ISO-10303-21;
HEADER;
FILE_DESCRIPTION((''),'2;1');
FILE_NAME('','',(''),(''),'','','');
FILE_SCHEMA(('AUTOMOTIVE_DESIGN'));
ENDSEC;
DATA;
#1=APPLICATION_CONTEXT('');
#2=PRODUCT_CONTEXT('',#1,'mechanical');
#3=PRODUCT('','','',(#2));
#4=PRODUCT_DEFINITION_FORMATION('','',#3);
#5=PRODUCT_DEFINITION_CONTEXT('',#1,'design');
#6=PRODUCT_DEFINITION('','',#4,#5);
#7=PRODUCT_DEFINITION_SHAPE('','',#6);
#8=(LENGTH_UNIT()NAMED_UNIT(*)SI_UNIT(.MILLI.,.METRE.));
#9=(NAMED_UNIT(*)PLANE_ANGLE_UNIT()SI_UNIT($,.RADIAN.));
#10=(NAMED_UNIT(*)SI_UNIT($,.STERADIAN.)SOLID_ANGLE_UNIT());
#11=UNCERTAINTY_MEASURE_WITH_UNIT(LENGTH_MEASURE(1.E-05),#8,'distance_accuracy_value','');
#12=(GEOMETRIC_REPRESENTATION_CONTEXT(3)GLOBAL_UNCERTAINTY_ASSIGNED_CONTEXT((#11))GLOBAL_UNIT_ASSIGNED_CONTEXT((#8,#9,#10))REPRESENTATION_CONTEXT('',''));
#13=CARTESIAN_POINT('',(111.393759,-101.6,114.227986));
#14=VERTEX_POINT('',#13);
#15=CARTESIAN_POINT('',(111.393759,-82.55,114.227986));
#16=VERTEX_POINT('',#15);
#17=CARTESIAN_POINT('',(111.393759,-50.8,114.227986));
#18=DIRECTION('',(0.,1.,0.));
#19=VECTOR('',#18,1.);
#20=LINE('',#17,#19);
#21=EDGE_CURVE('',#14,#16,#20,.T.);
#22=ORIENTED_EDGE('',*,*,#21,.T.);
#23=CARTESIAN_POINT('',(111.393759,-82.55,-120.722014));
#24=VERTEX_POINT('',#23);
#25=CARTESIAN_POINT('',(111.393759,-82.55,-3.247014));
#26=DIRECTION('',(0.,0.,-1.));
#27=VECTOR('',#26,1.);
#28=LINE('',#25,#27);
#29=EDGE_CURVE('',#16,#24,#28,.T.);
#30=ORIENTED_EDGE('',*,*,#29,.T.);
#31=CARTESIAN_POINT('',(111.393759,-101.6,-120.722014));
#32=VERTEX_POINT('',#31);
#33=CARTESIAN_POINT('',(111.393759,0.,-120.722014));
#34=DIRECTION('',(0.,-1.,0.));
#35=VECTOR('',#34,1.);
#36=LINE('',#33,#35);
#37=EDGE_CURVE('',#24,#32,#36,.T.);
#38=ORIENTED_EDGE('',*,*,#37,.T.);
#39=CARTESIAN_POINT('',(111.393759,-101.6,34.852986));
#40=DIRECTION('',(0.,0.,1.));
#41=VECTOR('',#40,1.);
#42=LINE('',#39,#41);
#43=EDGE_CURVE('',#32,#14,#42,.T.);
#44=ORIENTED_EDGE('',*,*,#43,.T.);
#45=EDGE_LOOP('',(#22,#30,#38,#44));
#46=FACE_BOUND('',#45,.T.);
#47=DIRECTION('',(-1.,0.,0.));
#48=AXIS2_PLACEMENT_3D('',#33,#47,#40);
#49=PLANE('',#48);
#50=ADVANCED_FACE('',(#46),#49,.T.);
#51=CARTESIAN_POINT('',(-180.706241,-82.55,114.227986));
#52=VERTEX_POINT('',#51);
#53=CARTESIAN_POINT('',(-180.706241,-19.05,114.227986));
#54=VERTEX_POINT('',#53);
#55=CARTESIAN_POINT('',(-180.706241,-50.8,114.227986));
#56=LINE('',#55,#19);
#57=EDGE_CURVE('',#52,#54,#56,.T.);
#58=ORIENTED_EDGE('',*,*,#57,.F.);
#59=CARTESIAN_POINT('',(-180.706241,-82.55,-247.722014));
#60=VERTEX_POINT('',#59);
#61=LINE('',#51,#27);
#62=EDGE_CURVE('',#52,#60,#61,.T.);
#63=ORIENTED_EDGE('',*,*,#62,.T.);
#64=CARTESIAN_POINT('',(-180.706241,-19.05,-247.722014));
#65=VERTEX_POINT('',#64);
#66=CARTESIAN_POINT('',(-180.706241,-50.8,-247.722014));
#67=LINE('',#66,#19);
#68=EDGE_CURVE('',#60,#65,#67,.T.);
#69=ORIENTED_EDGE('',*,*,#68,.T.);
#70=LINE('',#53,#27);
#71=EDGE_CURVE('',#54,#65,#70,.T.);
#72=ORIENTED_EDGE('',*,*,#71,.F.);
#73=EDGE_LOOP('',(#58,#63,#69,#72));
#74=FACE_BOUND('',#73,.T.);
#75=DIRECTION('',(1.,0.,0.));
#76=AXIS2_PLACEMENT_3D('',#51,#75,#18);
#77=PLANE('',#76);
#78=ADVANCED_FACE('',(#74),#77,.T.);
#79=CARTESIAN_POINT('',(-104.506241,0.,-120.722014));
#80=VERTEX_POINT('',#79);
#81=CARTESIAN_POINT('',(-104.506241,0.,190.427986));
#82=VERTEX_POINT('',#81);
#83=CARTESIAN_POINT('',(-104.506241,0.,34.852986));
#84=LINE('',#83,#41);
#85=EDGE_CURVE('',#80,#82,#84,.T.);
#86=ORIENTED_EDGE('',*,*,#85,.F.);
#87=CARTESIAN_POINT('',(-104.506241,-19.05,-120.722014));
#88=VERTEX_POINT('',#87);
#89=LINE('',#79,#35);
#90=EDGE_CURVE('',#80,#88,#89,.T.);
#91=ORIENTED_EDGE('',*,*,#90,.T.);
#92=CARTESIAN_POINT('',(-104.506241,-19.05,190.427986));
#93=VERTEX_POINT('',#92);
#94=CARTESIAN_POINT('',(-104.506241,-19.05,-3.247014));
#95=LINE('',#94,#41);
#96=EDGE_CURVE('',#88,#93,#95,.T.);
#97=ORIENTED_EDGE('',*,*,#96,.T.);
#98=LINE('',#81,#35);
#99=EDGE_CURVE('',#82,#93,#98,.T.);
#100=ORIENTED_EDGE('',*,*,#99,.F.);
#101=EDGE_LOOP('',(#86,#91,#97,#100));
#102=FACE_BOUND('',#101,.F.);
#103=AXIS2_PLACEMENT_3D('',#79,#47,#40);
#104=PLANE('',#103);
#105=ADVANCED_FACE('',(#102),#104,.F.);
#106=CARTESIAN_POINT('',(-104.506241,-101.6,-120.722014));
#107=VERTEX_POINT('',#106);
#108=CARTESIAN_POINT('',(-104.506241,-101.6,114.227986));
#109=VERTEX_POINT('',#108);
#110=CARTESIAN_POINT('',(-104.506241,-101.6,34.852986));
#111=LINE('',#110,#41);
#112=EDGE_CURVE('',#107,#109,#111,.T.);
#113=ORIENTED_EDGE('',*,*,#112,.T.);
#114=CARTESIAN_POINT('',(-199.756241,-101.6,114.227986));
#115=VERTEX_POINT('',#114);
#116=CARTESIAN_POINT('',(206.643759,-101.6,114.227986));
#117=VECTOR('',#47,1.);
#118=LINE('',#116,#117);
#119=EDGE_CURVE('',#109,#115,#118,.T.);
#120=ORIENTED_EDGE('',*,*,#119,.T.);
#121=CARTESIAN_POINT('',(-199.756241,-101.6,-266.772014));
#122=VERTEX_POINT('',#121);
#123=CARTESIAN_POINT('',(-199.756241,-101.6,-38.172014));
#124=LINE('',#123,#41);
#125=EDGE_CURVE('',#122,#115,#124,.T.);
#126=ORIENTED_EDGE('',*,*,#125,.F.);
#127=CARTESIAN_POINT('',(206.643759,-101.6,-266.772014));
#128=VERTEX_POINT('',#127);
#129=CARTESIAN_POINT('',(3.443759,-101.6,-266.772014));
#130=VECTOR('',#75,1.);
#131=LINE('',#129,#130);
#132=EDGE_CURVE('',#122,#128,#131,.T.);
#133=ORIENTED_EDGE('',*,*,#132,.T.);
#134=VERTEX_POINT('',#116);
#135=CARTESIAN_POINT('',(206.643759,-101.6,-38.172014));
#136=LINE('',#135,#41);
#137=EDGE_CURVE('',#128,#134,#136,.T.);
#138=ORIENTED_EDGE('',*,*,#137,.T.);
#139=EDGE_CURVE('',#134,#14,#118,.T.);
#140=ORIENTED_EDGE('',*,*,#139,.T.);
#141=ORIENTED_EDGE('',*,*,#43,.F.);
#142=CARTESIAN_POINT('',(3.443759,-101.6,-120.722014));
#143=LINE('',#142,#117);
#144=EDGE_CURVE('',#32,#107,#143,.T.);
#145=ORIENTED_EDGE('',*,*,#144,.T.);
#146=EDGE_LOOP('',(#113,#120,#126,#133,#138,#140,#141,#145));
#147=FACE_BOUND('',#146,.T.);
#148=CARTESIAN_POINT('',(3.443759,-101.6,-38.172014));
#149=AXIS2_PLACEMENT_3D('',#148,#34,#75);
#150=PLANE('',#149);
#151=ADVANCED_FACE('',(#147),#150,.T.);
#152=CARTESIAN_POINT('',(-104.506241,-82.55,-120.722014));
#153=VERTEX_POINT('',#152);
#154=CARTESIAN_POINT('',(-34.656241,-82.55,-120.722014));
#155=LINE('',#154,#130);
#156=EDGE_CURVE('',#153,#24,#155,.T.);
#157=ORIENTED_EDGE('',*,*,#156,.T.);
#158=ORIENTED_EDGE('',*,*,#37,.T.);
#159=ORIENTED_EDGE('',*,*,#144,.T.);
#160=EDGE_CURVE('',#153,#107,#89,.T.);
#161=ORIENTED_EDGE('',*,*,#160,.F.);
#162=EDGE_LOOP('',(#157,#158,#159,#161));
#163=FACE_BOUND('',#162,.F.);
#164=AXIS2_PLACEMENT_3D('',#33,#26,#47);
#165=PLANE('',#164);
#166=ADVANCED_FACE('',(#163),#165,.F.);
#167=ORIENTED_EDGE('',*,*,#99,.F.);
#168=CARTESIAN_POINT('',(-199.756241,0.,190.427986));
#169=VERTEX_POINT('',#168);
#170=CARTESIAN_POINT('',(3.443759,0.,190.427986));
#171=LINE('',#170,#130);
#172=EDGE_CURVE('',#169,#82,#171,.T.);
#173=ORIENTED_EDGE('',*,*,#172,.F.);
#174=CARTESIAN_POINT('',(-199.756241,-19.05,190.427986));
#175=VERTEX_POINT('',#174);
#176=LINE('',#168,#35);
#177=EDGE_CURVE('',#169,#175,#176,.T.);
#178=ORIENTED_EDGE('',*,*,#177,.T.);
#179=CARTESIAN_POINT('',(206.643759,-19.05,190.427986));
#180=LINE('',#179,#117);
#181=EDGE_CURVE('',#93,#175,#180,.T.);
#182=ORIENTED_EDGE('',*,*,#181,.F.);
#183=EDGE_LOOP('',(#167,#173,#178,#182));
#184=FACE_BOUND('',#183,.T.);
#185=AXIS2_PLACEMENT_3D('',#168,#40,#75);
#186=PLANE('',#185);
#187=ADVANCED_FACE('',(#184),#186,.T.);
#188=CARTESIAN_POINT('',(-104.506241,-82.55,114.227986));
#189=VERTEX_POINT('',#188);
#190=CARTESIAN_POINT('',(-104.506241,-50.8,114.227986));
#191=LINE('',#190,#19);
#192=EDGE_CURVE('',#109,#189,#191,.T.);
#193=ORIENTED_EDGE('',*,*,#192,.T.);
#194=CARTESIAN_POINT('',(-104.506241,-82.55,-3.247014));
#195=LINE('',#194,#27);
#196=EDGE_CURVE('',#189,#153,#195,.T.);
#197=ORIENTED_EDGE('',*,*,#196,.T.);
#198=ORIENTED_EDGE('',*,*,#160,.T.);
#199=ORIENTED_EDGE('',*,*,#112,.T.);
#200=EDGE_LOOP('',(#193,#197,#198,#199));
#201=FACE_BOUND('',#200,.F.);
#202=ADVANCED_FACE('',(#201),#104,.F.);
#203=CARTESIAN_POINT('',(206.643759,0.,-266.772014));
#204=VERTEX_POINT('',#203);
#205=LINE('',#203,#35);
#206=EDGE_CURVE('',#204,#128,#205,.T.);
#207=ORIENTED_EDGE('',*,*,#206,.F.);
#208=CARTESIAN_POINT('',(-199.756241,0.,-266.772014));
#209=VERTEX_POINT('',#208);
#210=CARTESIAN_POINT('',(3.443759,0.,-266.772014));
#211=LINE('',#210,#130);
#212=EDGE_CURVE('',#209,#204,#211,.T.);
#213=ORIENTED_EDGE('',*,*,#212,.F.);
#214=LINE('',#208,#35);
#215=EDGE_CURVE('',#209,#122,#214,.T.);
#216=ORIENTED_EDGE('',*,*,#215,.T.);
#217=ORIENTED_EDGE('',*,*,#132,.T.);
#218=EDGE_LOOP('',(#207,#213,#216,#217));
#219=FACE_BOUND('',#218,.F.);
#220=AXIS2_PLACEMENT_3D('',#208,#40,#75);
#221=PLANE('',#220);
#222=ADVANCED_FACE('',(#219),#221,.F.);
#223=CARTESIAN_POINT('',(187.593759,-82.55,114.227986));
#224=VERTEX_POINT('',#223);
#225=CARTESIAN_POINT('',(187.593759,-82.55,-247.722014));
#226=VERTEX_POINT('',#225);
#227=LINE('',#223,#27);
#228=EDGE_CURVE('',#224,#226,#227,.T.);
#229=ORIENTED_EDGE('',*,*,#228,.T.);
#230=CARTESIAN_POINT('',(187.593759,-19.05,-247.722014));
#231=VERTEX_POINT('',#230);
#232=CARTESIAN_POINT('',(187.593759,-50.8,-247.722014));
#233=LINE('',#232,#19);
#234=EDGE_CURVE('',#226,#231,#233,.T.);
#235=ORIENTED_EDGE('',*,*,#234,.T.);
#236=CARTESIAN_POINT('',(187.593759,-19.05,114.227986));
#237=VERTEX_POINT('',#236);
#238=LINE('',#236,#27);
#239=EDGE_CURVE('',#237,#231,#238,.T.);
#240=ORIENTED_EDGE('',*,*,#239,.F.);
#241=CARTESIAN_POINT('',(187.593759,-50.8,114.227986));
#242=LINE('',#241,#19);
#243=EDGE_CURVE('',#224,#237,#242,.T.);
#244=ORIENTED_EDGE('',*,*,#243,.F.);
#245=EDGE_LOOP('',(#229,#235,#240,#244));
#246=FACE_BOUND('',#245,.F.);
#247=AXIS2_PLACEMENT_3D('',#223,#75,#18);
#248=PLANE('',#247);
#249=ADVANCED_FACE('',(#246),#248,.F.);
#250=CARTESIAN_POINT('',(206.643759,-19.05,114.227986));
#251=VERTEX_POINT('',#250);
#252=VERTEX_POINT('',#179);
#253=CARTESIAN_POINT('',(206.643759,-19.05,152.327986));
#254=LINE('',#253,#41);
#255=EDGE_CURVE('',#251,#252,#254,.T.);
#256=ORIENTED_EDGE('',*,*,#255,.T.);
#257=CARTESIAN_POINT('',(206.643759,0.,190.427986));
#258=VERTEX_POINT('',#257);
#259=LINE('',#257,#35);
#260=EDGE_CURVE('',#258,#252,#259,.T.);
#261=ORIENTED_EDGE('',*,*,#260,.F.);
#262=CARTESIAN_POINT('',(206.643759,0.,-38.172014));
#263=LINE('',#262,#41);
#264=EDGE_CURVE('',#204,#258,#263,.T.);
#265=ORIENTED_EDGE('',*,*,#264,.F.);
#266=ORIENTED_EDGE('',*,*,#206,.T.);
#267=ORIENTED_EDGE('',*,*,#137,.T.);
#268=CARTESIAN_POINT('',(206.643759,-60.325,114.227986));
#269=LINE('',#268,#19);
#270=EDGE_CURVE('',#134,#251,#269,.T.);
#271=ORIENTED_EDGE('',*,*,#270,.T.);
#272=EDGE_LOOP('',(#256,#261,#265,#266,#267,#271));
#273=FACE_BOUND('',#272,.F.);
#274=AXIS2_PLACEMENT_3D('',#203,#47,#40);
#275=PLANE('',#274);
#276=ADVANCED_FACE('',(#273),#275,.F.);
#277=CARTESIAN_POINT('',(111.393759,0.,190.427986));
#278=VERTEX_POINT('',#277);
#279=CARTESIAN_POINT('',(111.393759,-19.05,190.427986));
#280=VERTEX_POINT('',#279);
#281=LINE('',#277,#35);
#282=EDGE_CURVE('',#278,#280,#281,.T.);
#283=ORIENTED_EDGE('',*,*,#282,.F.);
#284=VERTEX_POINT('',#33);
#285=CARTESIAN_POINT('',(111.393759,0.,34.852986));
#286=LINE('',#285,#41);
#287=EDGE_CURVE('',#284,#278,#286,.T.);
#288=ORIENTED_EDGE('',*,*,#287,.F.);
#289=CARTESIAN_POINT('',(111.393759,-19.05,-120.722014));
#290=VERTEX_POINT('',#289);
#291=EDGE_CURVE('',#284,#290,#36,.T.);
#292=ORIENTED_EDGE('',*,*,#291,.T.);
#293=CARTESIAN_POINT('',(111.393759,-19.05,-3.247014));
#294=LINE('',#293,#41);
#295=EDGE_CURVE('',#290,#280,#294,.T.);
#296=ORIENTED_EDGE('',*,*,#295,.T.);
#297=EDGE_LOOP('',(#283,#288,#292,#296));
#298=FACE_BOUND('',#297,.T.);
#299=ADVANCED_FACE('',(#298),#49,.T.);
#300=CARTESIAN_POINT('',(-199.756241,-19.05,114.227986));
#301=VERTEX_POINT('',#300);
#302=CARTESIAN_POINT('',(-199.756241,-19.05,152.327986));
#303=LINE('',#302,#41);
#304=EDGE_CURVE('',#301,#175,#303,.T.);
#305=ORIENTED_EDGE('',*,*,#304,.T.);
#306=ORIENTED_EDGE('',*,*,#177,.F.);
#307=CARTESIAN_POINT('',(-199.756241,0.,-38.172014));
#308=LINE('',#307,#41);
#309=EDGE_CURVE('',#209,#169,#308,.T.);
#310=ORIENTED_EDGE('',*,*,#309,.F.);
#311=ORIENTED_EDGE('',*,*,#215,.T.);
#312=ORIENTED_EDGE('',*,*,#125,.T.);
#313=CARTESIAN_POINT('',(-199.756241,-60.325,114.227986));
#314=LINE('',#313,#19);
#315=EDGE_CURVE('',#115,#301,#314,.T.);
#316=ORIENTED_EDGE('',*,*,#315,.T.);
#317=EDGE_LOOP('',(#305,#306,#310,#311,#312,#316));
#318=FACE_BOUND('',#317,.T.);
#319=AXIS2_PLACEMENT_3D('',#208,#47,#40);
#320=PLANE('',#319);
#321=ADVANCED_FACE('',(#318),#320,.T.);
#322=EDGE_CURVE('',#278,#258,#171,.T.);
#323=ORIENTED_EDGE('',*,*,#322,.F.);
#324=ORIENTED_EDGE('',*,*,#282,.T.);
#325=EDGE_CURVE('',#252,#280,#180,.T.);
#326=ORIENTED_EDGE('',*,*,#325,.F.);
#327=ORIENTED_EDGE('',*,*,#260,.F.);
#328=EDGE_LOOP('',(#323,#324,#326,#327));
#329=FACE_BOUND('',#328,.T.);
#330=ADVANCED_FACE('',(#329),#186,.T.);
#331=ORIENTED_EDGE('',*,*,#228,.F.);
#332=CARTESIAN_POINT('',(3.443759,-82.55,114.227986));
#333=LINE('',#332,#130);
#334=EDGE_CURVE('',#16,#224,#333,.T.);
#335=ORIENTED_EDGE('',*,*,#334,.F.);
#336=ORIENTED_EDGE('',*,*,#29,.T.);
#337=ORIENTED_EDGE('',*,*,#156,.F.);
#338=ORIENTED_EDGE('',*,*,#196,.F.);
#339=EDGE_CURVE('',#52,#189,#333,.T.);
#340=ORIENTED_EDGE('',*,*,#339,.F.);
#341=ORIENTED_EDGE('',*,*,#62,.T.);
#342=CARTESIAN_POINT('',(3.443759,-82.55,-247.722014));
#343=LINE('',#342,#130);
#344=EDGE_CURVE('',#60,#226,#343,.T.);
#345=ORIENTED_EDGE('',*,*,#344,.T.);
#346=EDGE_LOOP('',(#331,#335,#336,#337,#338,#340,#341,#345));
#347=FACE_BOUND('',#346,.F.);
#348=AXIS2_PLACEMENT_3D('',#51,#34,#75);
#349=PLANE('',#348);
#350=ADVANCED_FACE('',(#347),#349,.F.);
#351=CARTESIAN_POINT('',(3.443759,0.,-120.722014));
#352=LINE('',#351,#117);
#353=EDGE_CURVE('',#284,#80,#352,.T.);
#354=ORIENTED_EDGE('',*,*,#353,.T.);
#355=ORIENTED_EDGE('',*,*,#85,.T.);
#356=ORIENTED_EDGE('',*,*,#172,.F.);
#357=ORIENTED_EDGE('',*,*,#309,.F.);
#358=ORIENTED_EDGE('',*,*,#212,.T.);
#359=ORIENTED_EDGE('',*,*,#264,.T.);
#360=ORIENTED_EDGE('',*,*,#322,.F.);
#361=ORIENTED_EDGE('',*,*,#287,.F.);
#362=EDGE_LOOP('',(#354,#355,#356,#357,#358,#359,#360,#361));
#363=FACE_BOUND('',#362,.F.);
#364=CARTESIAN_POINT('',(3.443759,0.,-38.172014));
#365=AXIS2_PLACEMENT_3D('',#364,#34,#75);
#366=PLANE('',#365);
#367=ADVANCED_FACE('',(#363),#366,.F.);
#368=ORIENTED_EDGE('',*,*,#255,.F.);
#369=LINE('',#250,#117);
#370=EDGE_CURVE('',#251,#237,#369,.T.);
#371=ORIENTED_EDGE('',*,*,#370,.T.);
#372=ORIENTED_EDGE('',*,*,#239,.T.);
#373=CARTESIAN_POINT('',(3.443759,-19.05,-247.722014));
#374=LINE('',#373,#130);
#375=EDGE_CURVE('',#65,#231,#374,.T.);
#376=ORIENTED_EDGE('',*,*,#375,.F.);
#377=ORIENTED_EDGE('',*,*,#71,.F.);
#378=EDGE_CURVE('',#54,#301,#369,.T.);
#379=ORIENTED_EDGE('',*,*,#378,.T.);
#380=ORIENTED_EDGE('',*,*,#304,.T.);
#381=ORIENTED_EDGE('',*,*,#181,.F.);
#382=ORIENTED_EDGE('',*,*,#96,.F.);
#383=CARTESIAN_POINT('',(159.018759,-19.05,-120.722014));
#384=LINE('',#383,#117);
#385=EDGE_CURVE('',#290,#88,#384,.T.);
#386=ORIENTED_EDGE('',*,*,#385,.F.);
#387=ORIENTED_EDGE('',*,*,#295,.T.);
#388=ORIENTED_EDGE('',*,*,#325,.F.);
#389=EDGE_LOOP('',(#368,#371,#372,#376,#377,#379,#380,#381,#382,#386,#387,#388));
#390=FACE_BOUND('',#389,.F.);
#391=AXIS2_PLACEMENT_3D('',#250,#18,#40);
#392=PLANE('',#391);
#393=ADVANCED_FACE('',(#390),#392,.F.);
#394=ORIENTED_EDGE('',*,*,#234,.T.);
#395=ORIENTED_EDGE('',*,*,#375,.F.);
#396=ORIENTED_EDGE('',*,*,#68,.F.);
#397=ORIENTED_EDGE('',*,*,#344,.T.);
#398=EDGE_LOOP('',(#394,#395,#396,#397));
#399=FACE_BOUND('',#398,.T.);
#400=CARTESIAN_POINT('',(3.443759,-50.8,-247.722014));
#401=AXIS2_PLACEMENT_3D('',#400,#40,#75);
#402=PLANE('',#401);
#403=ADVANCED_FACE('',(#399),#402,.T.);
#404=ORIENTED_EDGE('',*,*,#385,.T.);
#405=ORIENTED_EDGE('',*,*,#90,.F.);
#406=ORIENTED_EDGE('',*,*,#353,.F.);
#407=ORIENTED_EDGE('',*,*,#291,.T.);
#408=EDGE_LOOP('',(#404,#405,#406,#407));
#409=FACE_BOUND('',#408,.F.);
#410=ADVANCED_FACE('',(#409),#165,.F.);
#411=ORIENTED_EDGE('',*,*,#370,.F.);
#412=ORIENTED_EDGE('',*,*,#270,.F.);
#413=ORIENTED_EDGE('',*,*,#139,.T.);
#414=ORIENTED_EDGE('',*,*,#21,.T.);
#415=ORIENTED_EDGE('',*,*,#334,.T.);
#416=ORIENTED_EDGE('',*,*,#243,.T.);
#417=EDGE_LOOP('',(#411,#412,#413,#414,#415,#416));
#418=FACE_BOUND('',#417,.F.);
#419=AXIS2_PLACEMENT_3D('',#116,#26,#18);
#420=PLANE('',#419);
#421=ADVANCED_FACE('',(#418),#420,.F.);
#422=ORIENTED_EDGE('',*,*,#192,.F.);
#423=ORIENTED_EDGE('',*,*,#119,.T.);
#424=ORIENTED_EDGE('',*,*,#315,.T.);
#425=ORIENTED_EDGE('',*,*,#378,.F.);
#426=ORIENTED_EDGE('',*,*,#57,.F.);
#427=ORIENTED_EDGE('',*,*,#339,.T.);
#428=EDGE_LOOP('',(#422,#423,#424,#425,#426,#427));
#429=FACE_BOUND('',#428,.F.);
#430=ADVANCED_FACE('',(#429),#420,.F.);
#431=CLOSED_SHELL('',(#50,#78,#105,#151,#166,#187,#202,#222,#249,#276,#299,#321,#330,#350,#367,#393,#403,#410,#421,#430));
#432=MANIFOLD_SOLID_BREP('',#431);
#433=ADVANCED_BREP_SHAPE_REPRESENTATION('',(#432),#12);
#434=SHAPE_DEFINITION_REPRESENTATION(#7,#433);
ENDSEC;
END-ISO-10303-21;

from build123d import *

# Parameters (mm, degrees)
F0_W     = 406.4
F0_H     = 457.2
F1_DEPTH = 101.6
F2_W     = 82.55
F2_H     = 76.2
F3_DEPTH = 406.4
F4_W     = 368.3
F4_H     = 63.5
F5_DEPTH = 361.95
F6_W     = 215.9
F6_H     = 311.15
F7_DEPTH = 101.6


with BuildPart() as f1:
    # F0 (on Front) → F1 (new body)
    with BuildSketch(Plane.XZ):
        with Locations((3.443759, -38.172014)):
            Rectangle(F0_W, F0_H)
    extrude(amount=F1_DEPTH)

    # F2 (on face) → F3 (cut)
    with BuildSketch(Plane.YZ.offset(206.643759)):
        with Locations((-60.325, 152.327986)):
            Rectangle(F2_W, F2_H)
    extrude(amount=-F3_DEPTH, mode=Mode.SUBTRACT)

    # F4 (on face) → F5 (cut)
    with BuildSketch(Plane.XY.offset(114.227986)):
        with Locations((3.443759, -50.8)):
            Rectangle(F4_W, F4_H)
    extrude(amount=-F5_DEPTH, mode=Mode.SUBTRACT)

    # F6 (on face) → F7 (cut)
    with BuildSketch(Plane(origin=(0, 0, 0), x_dir=(-1, 0, 0), z_dir=(0, 1, 0))):
        with Locations((-3.443759, 34.852986)):
            Rectangle(F6_W, F6_H)
    extrude(amount=-F7_DEPTH, mode=Mode.SUBTRACT)


solid = f1.part
